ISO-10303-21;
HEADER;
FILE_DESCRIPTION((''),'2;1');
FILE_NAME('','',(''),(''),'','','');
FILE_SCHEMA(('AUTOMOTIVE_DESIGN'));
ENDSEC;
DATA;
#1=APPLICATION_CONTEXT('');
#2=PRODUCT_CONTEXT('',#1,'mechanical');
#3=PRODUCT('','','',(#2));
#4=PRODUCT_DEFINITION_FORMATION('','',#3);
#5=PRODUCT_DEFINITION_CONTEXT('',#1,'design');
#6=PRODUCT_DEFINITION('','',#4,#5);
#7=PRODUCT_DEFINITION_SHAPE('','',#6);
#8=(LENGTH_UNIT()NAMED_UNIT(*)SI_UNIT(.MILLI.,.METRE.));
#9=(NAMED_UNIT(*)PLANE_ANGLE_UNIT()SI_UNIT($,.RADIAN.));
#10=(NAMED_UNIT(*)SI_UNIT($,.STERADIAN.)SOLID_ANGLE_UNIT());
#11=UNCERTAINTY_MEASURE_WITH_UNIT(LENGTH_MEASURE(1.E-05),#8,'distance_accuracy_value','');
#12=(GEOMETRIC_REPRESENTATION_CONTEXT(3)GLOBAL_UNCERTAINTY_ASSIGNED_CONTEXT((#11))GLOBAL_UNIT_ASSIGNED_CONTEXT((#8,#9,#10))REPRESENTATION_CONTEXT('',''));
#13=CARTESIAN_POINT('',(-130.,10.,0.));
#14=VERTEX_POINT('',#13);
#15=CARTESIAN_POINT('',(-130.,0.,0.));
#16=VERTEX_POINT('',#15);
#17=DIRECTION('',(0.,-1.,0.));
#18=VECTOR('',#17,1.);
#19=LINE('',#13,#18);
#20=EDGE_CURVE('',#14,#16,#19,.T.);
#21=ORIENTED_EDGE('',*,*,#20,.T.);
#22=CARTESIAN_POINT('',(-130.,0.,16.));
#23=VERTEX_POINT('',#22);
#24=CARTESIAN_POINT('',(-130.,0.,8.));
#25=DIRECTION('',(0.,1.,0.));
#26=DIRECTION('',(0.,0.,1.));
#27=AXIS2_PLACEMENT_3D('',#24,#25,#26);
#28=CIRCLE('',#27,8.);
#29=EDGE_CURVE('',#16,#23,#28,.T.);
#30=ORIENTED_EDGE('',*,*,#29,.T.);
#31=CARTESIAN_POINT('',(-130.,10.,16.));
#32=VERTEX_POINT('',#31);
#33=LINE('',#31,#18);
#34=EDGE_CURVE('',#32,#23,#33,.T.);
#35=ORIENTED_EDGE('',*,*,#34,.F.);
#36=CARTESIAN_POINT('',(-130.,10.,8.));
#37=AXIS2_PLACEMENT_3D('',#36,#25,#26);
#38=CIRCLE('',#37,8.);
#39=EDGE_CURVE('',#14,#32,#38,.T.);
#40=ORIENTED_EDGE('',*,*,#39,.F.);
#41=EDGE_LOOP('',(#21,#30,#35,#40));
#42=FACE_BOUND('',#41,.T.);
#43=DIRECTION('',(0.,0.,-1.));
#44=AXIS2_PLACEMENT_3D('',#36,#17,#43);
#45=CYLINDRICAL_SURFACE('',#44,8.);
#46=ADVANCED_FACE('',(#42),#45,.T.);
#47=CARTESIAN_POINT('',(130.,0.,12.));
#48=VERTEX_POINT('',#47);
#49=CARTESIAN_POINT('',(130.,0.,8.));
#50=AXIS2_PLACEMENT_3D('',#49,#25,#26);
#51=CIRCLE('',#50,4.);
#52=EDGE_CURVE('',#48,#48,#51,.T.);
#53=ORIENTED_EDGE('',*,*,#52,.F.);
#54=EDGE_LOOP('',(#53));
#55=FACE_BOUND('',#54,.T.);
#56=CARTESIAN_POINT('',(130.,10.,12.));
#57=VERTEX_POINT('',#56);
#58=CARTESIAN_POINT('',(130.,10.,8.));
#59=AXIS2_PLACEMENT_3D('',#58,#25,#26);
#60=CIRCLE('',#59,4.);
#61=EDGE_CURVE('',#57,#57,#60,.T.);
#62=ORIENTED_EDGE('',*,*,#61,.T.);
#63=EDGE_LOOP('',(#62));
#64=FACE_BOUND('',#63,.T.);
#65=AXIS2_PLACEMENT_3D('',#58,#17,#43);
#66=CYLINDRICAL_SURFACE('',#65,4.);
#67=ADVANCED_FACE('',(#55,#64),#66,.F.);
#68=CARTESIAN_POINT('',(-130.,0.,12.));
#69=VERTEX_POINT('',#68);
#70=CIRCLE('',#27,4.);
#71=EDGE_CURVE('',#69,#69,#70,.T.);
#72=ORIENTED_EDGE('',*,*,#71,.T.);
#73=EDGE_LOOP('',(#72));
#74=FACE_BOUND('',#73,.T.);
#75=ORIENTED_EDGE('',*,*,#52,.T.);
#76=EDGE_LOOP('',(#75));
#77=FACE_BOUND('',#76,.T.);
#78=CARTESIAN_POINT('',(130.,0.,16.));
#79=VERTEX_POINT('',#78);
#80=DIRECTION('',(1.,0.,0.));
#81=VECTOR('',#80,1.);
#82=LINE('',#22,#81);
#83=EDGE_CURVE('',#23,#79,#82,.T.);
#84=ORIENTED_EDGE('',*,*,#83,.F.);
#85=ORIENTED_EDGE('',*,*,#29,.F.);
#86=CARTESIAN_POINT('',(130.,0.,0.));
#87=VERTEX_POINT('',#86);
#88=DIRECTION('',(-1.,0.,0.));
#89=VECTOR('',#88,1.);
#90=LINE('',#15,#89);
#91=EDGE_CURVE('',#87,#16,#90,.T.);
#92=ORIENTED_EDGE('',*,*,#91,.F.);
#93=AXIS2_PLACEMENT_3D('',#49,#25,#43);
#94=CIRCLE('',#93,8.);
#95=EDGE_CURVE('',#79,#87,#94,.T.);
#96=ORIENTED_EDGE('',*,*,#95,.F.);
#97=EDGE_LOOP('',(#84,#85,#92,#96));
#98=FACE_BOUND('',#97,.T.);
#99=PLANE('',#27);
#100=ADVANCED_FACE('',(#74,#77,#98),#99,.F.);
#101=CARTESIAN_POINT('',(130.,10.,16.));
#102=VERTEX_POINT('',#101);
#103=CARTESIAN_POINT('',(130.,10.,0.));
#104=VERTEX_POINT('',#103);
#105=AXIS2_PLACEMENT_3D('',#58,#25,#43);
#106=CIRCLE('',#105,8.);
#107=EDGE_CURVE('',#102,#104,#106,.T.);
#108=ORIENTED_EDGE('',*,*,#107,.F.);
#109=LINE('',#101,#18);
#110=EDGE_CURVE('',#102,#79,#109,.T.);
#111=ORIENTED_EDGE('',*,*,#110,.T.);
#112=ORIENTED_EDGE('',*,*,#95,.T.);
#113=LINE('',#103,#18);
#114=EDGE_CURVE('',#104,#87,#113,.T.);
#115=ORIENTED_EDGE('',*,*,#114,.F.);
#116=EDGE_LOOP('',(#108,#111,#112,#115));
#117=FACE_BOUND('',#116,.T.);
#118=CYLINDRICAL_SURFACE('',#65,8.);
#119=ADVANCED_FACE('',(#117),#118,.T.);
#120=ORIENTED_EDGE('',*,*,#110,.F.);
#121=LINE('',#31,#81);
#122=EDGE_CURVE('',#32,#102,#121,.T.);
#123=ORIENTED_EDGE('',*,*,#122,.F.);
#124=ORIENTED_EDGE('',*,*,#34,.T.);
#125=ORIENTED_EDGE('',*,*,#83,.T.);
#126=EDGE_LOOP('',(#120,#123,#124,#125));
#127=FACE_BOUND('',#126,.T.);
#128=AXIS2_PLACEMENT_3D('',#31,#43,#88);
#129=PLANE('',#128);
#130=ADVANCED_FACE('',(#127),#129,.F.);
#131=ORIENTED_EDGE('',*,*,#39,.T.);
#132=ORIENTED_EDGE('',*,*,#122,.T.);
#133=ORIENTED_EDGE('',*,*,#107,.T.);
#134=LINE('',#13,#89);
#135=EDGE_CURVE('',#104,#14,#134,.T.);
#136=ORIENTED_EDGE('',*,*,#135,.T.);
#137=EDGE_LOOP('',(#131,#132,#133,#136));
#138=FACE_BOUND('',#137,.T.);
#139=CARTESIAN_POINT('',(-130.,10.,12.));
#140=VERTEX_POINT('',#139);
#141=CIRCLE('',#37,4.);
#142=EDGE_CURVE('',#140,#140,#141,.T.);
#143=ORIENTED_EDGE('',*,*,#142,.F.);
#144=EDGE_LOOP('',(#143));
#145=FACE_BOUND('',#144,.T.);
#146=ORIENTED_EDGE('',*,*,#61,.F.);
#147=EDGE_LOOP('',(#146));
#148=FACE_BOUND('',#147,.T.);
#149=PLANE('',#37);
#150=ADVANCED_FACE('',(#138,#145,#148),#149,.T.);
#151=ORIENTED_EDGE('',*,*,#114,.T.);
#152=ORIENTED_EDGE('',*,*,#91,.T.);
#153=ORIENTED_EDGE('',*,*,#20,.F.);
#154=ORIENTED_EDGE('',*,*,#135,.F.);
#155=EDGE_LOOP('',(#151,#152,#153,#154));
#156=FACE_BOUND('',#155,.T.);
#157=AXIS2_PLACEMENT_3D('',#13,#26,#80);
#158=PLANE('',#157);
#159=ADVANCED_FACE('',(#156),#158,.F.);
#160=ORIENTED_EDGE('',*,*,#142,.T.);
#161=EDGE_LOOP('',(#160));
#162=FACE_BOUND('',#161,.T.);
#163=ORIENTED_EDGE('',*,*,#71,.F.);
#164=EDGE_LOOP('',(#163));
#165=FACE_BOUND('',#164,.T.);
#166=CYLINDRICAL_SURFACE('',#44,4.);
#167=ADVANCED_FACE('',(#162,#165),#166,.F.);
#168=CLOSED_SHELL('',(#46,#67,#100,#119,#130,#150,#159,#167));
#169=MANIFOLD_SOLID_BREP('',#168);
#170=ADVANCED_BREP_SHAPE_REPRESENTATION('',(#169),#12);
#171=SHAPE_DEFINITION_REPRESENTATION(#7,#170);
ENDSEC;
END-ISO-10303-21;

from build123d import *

# Parameters (mm, degrees)
SKETCH1_R           = 4
BOSS_EXTRUDE1_DEPTH = 10


with BuildPart() as part:
    # Sketch1 → Boss-Extrude1 (new body)
    with BuildSketch(Plane(origin=(0, 0, 0), x_dir=(1, 0, 0), z_dir=(0, 1, 0))):
        with BuildLine():
            Line((-130, 0), (130, 0))
            ThreePointArc((130, 0), (138, -8), (130, -16))
            Line((130, -16), (-130, -16))
            ThreePointArc((-130, -16), (-138, -8), (-130, 0))
        make_face()
        with Locations(Location((-130, -8, 0), (0, 0, 270))):
            Circle(SKETCH1_R, mode=Mode.SUBTRACT)
        with Locations(Location((130, -8, 0), (0, 0, 270))):
            Circle(SKETCH1_R, mode=Mode.SUBTRACT)
    extrude(amount=BOSS_EXTRUDE1_DEPTH)


solid = part.part
